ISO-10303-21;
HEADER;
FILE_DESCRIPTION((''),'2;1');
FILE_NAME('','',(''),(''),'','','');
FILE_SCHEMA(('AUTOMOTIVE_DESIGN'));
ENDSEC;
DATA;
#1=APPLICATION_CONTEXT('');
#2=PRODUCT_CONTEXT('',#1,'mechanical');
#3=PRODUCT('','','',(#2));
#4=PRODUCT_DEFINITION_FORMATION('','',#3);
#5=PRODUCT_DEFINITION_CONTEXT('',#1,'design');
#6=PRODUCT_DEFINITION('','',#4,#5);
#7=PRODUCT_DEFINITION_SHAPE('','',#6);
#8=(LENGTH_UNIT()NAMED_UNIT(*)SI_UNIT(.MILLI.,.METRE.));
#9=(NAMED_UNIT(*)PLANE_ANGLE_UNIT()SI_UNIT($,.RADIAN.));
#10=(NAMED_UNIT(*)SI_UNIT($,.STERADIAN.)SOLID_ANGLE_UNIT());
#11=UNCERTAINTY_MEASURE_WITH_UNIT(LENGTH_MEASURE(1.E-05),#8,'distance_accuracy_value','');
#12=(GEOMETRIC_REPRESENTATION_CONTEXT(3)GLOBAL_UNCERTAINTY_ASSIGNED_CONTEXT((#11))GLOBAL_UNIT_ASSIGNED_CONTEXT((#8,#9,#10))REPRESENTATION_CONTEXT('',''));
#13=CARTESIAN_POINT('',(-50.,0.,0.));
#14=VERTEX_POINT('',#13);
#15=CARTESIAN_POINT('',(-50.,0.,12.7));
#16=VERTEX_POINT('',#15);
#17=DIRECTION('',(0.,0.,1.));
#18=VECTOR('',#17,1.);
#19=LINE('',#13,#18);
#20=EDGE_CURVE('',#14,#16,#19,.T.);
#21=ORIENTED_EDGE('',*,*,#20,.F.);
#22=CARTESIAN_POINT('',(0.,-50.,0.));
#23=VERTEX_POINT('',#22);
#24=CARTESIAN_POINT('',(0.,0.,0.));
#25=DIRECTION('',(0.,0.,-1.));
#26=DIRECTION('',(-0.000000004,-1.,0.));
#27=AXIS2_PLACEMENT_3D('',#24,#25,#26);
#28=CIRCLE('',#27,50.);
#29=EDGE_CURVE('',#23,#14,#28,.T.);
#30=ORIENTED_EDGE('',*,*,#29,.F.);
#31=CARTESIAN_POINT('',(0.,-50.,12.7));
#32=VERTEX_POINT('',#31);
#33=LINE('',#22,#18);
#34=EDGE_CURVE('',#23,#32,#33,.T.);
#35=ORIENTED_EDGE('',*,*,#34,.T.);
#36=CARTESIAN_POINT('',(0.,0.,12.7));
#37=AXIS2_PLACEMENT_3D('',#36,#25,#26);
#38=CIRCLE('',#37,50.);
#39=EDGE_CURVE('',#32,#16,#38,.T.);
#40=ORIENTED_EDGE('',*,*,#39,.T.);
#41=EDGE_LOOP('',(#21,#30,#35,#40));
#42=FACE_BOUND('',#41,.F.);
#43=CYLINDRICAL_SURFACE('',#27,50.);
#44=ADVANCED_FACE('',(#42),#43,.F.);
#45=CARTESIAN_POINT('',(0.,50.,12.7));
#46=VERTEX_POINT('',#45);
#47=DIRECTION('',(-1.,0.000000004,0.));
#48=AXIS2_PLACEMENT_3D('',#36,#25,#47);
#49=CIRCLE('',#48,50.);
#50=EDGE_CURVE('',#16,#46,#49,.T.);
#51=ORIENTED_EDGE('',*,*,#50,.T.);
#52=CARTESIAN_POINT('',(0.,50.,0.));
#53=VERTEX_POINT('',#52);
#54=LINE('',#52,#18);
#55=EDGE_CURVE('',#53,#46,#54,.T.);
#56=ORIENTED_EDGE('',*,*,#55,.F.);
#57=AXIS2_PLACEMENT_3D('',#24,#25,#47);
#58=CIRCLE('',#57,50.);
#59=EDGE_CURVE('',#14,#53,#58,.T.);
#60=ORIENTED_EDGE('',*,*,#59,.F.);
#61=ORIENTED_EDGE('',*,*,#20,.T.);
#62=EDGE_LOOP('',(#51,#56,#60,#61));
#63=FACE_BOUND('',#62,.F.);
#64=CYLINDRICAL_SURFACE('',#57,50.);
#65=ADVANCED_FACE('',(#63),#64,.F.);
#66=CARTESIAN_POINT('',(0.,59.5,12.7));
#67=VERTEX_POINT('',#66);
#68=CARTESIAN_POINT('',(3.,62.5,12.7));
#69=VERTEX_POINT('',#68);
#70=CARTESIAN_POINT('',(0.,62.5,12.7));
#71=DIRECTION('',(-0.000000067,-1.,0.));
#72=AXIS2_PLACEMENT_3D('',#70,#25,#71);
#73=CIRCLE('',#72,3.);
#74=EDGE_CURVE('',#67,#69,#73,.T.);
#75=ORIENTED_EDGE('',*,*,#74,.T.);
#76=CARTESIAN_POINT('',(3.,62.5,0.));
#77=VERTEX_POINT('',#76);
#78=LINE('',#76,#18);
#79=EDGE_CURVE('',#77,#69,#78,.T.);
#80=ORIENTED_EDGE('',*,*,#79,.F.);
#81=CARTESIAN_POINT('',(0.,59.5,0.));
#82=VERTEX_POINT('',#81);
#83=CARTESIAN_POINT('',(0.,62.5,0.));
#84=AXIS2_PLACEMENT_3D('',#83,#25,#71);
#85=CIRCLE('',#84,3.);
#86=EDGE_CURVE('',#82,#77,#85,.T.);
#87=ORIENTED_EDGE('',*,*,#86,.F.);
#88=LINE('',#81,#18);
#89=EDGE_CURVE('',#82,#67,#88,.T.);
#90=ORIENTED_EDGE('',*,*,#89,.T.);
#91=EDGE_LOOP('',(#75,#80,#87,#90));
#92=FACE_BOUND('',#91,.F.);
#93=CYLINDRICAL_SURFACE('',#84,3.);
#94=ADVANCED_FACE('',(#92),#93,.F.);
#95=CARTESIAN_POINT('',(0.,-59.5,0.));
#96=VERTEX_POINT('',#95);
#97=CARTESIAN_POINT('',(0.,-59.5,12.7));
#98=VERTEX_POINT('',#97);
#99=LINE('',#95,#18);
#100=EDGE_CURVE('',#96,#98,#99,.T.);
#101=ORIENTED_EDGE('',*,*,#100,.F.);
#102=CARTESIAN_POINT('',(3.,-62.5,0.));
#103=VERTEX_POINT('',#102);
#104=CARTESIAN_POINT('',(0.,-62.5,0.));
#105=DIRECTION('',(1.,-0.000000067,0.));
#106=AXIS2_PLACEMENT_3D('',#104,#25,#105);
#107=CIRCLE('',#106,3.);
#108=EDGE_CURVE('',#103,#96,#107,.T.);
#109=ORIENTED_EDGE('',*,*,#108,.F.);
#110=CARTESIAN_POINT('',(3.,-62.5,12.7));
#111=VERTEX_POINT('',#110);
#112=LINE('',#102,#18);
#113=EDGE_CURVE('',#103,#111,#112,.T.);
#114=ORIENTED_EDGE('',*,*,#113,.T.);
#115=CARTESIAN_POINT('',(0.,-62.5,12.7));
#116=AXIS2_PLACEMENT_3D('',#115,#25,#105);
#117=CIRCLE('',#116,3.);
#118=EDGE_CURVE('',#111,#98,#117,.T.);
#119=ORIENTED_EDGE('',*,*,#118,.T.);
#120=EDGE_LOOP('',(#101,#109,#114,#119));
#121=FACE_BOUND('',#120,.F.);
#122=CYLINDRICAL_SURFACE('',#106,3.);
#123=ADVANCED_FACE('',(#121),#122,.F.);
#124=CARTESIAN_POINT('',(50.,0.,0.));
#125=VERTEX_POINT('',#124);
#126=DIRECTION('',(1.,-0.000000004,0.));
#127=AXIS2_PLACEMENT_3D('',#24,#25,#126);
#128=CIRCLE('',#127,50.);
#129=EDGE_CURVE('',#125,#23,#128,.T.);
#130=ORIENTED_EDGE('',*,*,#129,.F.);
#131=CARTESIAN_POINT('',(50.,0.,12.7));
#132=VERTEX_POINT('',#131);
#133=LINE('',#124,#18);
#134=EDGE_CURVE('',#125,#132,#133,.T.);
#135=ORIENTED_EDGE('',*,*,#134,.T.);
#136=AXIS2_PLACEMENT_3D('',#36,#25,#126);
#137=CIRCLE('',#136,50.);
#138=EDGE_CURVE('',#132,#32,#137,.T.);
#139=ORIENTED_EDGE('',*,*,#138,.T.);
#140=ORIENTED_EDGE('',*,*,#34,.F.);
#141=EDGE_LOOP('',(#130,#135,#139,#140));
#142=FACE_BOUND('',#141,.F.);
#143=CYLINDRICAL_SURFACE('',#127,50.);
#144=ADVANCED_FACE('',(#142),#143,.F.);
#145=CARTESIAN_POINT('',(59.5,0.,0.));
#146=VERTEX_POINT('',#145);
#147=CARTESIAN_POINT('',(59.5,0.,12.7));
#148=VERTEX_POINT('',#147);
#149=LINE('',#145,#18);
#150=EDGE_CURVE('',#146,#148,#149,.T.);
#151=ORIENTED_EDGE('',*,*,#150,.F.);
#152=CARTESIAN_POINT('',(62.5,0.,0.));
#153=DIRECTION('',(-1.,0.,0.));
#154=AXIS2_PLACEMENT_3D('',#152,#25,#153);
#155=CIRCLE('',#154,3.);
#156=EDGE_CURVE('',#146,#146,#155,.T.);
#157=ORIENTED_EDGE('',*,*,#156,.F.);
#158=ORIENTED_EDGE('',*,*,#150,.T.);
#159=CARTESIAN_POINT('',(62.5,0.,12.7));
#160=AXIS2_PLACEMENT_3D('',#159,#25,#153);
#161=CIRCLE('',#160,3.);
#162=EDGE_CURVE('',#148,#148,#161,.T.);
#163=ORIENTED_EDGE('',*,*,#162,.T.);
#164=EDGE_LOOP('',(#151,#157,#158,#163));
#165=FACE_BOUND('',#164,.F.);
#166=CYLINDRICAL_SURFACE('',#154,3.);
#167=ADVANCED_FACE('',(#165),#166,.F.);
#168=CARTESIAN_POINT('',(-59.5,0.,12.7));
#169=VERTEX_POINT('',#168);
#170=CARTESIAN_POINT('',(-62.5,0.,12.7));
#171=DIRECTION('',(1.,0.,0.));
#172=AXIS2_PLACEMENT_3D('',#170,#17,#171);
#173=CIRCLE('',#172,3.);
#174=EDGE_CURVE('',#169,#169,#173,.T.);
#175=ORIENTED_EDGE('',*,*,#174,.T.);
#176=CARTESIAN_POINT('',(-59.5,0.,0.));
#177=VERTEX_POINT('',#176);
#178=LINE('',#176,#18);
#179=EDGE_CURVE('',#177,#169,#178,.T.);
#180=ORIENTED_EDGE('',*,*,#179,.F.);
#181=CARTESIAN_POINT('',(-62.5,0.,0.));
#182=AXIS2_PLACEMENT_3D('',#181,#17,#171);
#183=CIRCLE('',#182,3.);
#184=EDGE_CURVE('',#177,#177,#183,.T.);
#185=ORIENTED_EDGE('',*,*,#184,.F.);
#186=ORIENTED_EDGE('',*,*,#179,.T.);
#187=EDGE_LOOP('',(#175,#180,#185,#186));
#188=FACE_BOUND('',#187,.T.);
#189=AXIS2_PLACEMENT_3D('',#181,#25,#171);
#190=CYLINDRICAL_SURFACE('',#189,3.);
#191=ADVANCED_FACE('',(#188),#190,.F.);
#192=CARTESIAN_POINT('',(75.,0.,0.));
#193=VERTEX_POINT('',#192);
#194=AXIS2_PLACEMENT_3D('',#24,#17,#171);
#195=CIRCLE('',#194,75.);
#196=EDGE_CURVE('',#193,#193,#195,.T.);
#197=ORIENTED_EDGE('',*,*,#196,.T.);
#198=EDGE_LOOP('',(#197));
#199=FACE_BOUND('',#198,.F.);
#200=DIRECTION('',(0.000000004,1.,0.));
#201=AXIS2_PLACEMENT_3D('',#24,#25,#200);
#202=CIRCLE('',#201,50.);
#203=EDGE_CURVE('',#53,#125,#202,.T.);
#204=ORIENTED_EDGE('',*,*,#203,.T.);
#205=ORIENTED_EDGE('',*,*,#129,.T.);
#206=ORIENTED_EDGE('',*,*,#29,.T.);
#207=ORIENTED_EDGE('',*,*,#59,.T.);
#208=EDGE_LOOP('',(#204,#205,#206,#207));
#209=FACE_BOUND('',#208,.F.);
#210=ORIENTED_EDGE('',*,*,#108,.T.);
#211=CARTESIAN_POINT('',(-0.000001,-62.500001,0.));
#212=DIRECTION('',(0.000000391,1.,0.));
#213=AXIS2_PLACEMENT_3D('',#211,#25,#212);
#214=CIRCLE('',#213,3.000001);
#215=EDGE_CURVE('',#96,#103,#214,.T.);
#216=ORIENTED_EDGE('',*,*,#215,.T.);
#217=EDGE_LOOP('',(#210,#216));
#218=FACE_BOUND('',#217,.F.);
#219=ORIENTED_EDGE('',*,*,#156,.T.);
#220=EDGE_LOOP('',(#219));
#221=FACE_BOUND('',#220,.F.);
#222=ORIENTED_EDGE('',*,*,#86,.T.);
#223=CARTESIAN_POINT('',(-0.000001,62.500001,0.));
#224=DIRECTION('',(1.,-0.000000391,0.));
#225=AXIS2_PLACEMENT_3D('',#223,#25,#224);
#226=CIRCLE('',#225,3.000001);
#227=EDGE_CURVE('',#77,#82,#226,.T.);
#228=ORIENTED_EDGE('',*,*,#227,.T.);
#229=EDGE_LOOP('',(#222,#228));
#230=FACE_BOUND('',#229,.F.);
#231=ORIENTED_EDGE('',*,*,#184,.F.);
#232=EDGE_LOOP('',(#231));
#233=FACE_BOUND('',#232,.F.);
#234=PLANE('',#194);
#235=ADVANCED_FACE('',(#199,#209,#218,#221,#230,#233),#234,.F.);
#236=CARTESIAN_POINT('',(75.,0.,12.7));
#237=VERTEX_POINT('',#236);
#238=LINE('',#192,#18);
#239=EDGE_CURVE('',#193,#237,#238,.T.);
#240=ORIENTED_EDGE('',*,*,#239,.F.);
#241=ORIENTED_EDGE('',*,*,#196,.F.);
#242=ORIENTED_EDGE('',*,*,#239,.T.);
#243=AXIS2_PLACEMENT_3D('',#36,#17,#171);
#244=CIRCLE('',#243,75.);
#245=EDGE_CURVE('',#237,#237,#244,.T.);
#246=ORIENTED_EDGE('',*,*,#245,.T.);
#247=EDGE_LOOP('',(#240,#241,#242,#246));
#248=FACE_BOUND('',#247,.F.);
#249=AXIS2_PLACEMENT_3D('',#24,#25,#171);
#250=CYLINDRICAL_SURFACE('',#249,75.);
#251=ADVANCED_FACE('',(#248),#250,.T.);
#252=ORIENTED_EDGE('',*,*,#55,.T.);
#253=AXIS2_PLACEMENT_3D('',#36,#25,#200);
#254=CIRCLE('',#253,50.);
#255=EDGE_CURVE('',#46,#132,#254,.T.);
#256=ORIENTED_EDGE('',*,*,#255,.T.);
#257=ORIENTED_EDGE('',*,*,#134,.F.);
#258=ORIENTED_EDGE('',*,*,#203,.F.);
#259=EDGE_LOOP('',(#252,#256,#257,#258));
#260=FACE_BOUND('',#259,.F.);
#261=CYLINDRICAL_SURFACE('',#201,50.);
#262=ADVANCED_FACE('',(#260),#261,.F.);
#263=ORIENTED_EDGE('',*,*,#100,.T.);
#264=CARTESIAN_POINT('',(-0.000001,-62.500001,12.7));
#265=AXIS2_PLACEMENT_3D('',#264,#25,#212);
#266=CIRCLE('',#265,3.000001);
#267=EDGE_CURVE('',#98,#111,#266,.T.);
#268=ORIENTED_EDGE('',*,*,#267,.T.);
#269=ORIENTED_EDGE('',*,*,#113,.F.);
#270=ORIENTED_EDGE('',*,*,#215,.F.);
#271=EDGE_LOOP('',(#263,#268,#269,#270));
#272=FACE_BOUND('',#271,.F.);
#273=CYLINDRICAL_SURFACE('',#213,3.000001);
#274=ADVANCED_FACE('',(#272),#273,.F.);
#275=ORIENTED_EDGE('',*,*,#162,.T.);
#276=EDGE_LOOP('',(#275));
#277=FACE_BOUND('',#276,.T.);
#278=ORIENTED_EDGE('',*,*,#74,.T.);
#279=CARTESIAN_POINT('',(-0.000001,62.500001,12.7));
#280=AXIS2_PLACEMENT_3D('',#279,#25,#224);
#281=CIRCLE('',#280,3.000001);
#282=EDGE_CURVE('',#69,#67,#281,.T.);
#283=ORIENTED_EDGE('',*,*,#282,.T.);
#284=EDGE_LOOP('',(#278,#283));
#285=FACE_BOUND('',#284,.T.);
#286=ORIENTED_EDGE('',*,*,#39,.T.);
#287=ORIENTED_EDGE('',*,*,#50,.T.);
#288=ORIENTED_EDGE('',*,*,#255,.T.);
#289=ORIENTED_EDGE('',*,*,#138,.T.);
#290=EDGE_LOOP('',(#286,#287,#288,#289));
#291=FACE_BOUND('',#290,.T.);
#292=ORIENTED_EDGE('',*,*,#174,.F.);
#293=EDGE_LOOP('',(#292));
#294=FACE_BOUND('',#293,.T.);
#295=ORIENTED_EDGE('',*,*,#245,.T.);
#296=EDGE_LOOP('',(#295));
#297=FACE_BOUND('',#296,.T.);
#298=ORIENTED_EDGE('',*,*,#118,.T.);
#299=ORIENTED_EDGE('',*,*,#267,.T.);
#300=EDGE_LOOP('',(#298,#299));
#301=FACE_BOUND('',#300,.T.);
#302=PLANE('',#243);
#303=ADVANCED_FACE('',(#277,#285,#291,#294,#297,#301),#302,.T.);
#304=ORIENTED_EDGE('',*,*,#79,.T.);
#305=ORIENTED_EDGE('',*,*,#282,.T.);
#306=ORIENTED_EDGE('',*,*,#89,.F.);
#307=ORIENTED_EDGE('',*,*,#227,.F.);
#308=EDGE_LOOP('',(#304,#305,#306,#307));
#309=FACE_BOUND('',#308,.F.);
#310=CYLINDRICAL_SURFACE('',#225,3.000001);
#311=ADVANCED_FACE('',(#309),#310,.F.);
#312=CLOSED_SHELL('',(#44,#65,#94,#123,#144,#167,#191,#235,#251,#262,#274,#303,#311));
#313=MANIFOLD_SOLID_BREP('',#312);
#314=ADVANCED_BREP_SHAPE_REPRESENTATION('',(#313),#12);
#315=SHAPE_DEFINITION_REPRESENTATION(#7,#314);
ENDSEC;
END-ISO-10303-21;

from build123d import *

# Parameters (mm, degrees)
F0_R     = 75
F0_R_2   = 3
F1_DEPTH = 12.7


with BuildPart() as f1:
    # F0 (on Top) → F1 (new body)
    with BuildSketch(Plane.XY):
        Circle(F0_R)
        with BuildLine():
            ThreePointArc((3, -62.5), (-2.12132, -64.62132), (0, -59.5))
            ThreePointArc((0, -59.5), (2.12132, -60.37868), (3, -62.5))
        make_face(mode=Mode.SUBTRACT)
        with Locations((-62.5, 0)):
            Circle(F0_R_2, mode=Mode.SUBTRACT)
        with BuildLine():
            ThreePointArc((0, 50), (35.355339, 35.355339), (50, 0))
            ThreePointArc((50, 0), (35.355339, -35.355339), (0, -50))
            ThreePointArc((0, -50), (-35.355339, -35.355339), (-50, 0))
            ThreePointArc((-50, 0), (-35.355339, 35.355339), (0, 50))
        make_face(mode=Mode.SUBTRACT)
        with BuildLine():
            ThreePointArc((65.5, 0), (62.5, -3), (59.5, 0))
            ThreePointArc((59.5, 0), (62.5, 3), (65.5, 0))
        make_face(mode=Mode.SUBTRACT)
        with BuildLine():
            ThreePointArc((3, 62.5), (2.12132, 60.37868), (0, 59.5))
            ThreePointArc((0, 59.5), (-2.12132, 64.62132), (3, 62.5))
        make_face(mode=Mode.SUBTRACT)
    extrude(amount=F1_DEPTH)


solid = f1.part
